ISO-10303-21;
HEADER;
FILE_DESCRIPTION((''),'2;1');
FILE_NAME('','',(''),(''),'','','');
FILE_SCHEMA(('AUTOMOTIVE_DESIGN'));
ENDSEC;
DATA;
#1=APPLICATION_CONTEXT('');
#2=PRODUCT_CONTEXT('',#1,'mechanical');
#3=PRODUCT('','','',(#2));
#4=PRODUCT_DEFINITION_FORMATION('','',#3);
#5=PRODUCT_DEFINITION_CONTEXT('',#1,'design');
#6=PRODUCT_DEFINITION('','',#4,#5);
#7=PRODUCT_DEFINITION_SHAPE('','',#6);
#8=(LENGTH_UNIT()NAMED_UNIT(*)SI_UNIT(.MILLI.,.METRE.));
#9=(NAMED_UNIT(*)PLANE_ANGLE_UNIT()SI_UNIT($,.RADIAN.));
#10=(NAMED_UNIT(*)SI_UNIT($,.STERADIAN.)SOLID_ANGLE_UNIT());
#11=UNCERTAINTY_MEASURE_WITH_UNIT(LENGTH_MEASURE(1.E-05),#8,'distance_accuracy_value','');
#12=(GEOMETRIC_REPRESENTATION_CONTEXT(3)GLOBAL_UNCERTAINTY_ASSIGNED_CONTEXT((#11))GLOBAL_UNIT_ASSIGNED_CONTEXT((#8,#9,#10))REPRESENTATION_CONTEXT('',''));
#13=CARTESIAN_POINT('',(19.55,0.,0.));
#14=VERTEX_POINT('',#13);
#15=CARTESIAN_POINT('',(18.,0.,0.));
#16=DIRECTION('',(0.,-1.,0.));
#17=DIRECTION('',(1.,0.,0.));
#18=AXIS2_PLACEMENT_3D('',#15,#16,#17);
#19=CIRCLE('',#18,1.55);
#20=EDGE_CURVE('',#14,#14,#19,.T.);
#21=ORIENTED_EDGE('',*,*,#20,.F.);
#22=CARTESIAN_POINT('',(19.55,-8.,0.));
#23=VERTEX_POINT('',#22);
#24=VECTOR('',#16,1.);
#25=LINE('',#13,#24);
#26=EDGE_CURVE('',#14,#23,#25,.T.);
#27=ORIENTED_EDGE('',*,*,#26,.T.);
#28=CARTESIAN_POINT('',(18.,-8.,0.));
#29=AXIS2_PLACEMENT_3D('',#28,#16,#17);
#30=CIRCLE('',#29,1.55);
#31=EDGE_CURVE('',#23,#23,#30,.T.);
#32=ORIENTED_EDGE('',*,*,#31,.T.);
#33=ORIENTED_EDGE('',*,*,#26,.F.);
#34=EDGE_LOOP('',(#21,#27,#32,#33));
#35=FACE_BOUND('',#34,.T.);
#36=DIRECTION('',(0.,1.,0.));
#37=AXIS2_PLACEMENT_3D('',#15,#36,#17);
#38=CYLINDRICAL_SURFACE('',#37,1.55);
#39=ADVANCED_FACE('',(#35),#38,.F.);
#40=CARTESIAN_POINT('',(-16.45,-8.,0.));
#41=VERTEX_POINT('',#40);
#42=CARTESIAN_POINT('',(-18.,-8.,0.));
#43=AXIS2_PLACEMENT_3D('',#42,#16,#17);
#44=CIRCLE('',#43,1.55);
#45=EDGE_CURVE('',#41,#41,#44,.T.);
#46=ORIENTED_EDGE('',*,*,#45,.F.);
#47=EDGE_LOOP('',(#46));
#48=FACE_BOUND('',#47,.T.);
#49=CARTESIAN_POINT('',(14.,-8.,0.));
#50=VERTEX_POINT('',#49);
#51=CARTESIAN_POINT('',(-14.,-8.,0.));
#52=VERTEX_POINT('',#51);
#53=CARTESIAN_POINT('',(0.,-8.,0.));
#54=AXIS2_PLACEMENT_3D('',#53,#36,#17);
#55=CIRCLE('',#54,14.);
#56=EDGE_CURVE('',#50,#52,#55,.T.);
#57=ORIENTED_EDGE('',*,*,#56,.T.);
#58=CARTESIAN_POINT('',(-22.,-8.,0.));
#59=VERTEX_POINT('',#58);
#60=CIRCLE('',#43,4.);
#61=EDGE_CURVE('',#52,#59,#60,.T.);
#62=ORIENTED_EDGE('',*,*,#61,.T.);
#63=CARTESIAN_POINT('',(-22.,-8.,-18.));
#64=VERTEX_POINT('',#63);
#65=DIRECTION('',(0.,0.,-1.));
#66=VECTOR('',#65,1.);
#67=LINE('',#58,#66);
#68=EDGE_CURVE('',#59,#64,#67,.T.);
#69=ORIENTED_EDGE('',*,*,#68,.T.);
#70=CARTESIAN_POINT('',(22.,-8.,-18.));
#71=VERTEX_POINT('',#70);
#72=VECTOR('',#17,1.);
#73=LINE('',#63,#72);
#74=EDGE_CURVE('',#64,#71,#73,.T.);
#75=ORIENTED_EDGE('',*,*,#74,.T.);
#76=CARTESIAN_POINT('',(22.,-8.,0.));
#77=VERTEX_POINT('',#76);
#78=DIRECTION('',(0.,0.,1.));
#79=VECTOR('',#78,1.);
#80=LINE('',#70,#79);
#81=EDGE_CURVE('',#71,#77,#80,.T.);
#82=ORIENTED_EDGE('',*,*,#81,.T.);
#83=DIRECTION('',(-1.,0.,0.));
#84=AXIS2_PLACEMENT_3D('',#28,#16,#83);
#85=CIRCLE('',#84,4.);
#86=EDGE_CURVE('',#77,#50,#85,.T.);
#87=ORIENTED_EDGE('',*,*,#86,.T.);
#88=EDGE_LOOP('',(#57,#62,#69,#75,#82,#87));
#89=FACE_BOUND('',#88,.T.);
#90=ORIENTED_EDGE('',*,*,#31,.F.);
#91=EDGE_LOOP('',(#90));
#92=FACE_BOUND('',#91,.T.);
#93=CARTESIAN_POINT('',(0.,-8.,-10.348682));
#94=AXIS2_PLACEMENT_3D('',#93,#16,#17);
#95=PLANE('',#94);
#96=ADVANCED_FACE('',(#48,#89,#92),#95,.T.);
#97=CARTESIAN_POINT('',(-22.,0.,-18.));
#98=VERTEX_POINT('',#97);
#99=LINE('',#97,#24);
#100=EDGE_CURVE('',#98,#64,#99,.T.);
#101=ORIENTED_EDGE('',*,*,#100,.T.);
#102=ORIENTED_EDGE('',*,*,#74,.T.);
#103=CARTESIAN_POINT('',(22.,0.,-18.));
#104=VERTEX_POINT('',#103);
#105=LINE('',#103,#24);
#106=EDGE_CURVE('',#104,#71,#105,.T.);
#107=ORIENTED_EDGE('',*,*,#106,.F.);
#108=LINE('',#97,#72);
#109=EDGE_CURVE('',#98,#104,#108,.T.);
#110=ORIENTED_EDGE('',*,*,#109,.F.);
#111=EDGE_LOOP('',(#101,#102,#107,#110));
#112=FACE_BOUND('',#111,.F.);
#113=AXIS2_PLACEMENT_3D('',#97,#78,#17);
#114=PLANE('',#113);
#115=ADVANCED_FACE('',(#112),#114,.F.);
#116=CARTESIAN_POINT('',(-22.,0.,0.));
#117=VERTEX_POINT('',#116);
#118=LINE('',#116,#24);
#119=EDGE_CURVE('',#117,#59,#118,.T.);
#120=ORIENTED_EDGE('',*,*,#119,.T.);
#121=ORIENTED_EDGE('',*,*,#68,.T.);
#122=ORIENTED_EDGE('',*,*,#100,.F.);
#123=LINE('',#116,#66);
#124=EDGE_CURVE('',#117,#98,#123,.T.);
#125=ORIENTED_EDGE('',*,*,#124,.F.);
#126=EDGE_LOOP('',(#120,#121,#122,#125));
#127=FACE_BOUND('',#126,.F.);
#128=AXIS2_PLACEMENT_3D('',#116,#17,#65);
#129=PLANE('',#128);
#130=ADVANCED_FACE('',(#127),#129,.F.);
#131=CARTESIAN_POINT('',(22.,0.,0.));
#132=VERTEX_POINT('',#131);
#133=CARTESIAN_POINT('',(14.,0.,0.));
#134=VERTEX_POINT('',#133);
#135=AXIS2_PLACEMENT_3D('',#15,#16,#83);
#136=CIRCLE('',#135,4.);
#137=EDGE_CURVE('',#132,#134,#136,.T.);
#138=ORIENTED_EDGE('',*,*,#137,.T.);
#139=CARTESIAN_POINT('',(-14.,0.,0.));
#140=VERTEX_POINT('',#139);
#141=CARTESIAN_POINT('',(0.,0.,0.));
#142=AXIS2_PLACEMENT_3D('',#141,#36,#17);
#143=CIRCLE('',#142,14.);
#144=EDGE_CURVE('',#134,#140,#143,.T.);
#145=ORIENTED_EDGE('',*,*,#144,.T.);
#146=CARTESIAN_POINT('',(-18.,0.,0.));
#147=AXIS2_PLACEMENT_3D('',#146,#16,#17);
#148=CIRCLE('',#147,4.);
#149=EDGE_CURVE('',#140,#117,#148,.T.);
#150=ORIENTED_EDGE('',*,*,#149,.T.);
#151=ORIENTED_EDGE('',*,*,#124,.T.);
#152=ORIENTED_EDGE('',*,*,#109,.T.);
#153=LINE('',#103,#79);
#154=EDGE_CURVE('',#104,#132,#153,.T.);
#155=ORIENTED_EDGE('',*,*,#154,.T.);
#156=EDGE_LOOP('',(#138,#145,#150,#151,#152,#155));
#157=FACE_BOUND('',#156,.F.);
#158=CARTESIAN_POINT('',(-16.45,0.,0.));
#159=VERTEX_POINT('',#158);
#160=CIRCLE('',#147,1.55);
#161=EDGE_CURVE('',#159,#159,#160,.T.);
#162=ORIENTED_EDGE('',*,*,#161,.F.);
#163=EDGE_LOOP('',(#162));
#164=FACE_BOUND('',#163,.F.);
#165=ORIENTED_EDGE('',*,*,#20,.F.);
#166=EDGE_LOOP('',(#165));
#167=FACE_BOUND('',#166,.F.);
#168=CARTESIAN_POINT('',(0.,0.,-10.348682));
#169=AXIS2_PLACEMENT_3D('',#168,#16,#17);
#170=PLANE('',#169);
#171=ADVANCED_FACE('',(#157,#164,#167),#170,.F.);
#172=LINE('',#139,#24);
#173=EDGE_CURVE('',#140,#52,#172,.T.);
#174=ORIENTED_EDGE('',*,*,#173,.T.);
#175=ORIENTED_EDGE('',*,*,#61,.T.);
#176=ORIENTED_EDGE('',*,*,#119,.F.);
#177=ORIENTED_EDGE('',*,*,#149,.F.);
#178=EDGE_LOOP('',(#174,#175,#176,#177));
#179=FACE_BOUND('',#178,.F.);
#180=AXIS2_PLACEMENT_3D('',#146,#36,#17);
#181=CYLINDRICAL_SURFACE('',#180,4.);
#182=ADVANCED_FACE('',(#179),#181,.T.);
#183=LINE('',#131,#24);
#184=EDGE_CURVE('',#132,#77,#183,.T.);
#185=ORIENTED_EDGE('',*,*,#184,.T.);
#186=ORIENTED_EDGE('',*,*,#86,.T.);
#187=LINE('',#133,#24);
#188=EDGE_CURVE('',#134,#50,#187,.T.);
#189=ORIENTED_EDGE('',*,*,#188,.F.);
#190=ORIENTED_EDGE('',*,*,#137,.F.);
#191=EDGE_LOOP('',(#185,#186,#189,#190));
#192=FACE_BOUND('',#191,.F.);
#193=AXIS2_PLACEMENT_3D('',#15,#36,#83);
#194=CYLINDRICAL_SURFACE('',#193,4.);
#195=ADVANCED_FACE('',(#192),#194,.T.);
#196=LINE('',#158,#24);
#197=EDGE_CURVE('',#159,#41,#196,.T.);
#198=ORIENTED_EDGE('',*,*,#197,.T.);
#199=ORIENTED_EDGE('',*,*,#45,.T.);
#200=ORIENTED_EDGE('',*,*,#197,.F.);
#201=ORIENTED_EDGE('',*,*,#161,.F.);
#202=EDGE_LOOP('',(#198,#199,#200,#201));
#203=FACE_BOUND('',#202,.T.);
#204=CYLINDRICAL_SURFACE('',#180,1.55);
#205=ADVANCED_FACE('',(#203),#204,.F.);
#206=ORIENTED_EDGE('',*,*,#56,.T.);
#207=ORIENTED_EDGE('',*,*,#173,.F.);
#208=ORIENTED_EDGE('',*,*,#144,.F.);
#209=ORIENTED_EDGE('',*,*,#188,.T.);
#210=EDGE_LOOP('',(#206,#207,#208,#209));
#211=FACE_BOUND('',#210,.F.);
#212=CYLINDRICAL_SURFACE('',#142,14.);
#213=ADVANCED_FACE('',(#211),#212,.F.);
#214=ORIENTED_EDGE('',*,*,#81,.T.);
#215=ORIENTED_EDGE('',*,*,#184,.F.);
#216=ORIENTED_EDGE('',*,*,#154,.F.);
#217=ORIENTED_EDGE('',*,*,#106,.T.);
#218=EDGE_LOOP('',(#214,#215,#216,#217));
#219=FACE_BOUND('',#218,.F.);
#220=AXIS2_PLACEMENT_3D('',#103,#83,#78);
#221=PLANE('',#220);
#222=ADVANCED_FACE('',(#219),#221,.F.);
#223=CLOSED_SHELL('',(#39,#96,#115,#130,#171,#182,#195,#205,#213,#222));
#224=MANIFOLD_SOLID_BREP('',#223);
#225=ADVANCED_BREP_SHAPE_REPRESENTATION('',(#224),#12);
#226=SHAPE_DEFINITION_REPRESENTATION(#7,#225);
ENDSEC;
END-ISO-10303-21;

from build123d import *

# Parameters (mm, degrees)
F0_R     = 1.55
F1_DEPTH = 8


with BuildPart() as f1:
    # F0 (on Front) → F1 (new body)
    with BuildSketch(Plane.XZ):
        with BuildLine():
            ThreePointArc((14, 0), (0, -14), (-14, 0))
            ThreePointArc((-14, 0), (-18, -4), (-22, 0))
            Line((-22, 0), (-22, -18))
            Line((-22, -18), (22, -18))
            Line((22, -18), (22, 0))
            ThreePointArc((22, 0), (18, -4), (14, 0))
        make_face()
        with BuildLine():
            ThreePointArc((-22, 0), (-18, -4), (-14, 0))
            ThreePointArc((-14, 0), (-18, 4), (-22, 0))
        make_face()
        with Locations((-18, 0)):
            Circle(F0_R, mode=Mode.SUBTRACT)
        with BuildLine():
            ThreePointArc((22, 0), (18, 4), (14, 0))
            ThreePointArc((14, 0), (18, -4), (22, 0))
        make_face()
        with Locations((18, 0)):
            Circle(F0_R, mode=Mode.SUBTRACT)
    extrude(amount=F1_DEPTH)


solid = f1.part
